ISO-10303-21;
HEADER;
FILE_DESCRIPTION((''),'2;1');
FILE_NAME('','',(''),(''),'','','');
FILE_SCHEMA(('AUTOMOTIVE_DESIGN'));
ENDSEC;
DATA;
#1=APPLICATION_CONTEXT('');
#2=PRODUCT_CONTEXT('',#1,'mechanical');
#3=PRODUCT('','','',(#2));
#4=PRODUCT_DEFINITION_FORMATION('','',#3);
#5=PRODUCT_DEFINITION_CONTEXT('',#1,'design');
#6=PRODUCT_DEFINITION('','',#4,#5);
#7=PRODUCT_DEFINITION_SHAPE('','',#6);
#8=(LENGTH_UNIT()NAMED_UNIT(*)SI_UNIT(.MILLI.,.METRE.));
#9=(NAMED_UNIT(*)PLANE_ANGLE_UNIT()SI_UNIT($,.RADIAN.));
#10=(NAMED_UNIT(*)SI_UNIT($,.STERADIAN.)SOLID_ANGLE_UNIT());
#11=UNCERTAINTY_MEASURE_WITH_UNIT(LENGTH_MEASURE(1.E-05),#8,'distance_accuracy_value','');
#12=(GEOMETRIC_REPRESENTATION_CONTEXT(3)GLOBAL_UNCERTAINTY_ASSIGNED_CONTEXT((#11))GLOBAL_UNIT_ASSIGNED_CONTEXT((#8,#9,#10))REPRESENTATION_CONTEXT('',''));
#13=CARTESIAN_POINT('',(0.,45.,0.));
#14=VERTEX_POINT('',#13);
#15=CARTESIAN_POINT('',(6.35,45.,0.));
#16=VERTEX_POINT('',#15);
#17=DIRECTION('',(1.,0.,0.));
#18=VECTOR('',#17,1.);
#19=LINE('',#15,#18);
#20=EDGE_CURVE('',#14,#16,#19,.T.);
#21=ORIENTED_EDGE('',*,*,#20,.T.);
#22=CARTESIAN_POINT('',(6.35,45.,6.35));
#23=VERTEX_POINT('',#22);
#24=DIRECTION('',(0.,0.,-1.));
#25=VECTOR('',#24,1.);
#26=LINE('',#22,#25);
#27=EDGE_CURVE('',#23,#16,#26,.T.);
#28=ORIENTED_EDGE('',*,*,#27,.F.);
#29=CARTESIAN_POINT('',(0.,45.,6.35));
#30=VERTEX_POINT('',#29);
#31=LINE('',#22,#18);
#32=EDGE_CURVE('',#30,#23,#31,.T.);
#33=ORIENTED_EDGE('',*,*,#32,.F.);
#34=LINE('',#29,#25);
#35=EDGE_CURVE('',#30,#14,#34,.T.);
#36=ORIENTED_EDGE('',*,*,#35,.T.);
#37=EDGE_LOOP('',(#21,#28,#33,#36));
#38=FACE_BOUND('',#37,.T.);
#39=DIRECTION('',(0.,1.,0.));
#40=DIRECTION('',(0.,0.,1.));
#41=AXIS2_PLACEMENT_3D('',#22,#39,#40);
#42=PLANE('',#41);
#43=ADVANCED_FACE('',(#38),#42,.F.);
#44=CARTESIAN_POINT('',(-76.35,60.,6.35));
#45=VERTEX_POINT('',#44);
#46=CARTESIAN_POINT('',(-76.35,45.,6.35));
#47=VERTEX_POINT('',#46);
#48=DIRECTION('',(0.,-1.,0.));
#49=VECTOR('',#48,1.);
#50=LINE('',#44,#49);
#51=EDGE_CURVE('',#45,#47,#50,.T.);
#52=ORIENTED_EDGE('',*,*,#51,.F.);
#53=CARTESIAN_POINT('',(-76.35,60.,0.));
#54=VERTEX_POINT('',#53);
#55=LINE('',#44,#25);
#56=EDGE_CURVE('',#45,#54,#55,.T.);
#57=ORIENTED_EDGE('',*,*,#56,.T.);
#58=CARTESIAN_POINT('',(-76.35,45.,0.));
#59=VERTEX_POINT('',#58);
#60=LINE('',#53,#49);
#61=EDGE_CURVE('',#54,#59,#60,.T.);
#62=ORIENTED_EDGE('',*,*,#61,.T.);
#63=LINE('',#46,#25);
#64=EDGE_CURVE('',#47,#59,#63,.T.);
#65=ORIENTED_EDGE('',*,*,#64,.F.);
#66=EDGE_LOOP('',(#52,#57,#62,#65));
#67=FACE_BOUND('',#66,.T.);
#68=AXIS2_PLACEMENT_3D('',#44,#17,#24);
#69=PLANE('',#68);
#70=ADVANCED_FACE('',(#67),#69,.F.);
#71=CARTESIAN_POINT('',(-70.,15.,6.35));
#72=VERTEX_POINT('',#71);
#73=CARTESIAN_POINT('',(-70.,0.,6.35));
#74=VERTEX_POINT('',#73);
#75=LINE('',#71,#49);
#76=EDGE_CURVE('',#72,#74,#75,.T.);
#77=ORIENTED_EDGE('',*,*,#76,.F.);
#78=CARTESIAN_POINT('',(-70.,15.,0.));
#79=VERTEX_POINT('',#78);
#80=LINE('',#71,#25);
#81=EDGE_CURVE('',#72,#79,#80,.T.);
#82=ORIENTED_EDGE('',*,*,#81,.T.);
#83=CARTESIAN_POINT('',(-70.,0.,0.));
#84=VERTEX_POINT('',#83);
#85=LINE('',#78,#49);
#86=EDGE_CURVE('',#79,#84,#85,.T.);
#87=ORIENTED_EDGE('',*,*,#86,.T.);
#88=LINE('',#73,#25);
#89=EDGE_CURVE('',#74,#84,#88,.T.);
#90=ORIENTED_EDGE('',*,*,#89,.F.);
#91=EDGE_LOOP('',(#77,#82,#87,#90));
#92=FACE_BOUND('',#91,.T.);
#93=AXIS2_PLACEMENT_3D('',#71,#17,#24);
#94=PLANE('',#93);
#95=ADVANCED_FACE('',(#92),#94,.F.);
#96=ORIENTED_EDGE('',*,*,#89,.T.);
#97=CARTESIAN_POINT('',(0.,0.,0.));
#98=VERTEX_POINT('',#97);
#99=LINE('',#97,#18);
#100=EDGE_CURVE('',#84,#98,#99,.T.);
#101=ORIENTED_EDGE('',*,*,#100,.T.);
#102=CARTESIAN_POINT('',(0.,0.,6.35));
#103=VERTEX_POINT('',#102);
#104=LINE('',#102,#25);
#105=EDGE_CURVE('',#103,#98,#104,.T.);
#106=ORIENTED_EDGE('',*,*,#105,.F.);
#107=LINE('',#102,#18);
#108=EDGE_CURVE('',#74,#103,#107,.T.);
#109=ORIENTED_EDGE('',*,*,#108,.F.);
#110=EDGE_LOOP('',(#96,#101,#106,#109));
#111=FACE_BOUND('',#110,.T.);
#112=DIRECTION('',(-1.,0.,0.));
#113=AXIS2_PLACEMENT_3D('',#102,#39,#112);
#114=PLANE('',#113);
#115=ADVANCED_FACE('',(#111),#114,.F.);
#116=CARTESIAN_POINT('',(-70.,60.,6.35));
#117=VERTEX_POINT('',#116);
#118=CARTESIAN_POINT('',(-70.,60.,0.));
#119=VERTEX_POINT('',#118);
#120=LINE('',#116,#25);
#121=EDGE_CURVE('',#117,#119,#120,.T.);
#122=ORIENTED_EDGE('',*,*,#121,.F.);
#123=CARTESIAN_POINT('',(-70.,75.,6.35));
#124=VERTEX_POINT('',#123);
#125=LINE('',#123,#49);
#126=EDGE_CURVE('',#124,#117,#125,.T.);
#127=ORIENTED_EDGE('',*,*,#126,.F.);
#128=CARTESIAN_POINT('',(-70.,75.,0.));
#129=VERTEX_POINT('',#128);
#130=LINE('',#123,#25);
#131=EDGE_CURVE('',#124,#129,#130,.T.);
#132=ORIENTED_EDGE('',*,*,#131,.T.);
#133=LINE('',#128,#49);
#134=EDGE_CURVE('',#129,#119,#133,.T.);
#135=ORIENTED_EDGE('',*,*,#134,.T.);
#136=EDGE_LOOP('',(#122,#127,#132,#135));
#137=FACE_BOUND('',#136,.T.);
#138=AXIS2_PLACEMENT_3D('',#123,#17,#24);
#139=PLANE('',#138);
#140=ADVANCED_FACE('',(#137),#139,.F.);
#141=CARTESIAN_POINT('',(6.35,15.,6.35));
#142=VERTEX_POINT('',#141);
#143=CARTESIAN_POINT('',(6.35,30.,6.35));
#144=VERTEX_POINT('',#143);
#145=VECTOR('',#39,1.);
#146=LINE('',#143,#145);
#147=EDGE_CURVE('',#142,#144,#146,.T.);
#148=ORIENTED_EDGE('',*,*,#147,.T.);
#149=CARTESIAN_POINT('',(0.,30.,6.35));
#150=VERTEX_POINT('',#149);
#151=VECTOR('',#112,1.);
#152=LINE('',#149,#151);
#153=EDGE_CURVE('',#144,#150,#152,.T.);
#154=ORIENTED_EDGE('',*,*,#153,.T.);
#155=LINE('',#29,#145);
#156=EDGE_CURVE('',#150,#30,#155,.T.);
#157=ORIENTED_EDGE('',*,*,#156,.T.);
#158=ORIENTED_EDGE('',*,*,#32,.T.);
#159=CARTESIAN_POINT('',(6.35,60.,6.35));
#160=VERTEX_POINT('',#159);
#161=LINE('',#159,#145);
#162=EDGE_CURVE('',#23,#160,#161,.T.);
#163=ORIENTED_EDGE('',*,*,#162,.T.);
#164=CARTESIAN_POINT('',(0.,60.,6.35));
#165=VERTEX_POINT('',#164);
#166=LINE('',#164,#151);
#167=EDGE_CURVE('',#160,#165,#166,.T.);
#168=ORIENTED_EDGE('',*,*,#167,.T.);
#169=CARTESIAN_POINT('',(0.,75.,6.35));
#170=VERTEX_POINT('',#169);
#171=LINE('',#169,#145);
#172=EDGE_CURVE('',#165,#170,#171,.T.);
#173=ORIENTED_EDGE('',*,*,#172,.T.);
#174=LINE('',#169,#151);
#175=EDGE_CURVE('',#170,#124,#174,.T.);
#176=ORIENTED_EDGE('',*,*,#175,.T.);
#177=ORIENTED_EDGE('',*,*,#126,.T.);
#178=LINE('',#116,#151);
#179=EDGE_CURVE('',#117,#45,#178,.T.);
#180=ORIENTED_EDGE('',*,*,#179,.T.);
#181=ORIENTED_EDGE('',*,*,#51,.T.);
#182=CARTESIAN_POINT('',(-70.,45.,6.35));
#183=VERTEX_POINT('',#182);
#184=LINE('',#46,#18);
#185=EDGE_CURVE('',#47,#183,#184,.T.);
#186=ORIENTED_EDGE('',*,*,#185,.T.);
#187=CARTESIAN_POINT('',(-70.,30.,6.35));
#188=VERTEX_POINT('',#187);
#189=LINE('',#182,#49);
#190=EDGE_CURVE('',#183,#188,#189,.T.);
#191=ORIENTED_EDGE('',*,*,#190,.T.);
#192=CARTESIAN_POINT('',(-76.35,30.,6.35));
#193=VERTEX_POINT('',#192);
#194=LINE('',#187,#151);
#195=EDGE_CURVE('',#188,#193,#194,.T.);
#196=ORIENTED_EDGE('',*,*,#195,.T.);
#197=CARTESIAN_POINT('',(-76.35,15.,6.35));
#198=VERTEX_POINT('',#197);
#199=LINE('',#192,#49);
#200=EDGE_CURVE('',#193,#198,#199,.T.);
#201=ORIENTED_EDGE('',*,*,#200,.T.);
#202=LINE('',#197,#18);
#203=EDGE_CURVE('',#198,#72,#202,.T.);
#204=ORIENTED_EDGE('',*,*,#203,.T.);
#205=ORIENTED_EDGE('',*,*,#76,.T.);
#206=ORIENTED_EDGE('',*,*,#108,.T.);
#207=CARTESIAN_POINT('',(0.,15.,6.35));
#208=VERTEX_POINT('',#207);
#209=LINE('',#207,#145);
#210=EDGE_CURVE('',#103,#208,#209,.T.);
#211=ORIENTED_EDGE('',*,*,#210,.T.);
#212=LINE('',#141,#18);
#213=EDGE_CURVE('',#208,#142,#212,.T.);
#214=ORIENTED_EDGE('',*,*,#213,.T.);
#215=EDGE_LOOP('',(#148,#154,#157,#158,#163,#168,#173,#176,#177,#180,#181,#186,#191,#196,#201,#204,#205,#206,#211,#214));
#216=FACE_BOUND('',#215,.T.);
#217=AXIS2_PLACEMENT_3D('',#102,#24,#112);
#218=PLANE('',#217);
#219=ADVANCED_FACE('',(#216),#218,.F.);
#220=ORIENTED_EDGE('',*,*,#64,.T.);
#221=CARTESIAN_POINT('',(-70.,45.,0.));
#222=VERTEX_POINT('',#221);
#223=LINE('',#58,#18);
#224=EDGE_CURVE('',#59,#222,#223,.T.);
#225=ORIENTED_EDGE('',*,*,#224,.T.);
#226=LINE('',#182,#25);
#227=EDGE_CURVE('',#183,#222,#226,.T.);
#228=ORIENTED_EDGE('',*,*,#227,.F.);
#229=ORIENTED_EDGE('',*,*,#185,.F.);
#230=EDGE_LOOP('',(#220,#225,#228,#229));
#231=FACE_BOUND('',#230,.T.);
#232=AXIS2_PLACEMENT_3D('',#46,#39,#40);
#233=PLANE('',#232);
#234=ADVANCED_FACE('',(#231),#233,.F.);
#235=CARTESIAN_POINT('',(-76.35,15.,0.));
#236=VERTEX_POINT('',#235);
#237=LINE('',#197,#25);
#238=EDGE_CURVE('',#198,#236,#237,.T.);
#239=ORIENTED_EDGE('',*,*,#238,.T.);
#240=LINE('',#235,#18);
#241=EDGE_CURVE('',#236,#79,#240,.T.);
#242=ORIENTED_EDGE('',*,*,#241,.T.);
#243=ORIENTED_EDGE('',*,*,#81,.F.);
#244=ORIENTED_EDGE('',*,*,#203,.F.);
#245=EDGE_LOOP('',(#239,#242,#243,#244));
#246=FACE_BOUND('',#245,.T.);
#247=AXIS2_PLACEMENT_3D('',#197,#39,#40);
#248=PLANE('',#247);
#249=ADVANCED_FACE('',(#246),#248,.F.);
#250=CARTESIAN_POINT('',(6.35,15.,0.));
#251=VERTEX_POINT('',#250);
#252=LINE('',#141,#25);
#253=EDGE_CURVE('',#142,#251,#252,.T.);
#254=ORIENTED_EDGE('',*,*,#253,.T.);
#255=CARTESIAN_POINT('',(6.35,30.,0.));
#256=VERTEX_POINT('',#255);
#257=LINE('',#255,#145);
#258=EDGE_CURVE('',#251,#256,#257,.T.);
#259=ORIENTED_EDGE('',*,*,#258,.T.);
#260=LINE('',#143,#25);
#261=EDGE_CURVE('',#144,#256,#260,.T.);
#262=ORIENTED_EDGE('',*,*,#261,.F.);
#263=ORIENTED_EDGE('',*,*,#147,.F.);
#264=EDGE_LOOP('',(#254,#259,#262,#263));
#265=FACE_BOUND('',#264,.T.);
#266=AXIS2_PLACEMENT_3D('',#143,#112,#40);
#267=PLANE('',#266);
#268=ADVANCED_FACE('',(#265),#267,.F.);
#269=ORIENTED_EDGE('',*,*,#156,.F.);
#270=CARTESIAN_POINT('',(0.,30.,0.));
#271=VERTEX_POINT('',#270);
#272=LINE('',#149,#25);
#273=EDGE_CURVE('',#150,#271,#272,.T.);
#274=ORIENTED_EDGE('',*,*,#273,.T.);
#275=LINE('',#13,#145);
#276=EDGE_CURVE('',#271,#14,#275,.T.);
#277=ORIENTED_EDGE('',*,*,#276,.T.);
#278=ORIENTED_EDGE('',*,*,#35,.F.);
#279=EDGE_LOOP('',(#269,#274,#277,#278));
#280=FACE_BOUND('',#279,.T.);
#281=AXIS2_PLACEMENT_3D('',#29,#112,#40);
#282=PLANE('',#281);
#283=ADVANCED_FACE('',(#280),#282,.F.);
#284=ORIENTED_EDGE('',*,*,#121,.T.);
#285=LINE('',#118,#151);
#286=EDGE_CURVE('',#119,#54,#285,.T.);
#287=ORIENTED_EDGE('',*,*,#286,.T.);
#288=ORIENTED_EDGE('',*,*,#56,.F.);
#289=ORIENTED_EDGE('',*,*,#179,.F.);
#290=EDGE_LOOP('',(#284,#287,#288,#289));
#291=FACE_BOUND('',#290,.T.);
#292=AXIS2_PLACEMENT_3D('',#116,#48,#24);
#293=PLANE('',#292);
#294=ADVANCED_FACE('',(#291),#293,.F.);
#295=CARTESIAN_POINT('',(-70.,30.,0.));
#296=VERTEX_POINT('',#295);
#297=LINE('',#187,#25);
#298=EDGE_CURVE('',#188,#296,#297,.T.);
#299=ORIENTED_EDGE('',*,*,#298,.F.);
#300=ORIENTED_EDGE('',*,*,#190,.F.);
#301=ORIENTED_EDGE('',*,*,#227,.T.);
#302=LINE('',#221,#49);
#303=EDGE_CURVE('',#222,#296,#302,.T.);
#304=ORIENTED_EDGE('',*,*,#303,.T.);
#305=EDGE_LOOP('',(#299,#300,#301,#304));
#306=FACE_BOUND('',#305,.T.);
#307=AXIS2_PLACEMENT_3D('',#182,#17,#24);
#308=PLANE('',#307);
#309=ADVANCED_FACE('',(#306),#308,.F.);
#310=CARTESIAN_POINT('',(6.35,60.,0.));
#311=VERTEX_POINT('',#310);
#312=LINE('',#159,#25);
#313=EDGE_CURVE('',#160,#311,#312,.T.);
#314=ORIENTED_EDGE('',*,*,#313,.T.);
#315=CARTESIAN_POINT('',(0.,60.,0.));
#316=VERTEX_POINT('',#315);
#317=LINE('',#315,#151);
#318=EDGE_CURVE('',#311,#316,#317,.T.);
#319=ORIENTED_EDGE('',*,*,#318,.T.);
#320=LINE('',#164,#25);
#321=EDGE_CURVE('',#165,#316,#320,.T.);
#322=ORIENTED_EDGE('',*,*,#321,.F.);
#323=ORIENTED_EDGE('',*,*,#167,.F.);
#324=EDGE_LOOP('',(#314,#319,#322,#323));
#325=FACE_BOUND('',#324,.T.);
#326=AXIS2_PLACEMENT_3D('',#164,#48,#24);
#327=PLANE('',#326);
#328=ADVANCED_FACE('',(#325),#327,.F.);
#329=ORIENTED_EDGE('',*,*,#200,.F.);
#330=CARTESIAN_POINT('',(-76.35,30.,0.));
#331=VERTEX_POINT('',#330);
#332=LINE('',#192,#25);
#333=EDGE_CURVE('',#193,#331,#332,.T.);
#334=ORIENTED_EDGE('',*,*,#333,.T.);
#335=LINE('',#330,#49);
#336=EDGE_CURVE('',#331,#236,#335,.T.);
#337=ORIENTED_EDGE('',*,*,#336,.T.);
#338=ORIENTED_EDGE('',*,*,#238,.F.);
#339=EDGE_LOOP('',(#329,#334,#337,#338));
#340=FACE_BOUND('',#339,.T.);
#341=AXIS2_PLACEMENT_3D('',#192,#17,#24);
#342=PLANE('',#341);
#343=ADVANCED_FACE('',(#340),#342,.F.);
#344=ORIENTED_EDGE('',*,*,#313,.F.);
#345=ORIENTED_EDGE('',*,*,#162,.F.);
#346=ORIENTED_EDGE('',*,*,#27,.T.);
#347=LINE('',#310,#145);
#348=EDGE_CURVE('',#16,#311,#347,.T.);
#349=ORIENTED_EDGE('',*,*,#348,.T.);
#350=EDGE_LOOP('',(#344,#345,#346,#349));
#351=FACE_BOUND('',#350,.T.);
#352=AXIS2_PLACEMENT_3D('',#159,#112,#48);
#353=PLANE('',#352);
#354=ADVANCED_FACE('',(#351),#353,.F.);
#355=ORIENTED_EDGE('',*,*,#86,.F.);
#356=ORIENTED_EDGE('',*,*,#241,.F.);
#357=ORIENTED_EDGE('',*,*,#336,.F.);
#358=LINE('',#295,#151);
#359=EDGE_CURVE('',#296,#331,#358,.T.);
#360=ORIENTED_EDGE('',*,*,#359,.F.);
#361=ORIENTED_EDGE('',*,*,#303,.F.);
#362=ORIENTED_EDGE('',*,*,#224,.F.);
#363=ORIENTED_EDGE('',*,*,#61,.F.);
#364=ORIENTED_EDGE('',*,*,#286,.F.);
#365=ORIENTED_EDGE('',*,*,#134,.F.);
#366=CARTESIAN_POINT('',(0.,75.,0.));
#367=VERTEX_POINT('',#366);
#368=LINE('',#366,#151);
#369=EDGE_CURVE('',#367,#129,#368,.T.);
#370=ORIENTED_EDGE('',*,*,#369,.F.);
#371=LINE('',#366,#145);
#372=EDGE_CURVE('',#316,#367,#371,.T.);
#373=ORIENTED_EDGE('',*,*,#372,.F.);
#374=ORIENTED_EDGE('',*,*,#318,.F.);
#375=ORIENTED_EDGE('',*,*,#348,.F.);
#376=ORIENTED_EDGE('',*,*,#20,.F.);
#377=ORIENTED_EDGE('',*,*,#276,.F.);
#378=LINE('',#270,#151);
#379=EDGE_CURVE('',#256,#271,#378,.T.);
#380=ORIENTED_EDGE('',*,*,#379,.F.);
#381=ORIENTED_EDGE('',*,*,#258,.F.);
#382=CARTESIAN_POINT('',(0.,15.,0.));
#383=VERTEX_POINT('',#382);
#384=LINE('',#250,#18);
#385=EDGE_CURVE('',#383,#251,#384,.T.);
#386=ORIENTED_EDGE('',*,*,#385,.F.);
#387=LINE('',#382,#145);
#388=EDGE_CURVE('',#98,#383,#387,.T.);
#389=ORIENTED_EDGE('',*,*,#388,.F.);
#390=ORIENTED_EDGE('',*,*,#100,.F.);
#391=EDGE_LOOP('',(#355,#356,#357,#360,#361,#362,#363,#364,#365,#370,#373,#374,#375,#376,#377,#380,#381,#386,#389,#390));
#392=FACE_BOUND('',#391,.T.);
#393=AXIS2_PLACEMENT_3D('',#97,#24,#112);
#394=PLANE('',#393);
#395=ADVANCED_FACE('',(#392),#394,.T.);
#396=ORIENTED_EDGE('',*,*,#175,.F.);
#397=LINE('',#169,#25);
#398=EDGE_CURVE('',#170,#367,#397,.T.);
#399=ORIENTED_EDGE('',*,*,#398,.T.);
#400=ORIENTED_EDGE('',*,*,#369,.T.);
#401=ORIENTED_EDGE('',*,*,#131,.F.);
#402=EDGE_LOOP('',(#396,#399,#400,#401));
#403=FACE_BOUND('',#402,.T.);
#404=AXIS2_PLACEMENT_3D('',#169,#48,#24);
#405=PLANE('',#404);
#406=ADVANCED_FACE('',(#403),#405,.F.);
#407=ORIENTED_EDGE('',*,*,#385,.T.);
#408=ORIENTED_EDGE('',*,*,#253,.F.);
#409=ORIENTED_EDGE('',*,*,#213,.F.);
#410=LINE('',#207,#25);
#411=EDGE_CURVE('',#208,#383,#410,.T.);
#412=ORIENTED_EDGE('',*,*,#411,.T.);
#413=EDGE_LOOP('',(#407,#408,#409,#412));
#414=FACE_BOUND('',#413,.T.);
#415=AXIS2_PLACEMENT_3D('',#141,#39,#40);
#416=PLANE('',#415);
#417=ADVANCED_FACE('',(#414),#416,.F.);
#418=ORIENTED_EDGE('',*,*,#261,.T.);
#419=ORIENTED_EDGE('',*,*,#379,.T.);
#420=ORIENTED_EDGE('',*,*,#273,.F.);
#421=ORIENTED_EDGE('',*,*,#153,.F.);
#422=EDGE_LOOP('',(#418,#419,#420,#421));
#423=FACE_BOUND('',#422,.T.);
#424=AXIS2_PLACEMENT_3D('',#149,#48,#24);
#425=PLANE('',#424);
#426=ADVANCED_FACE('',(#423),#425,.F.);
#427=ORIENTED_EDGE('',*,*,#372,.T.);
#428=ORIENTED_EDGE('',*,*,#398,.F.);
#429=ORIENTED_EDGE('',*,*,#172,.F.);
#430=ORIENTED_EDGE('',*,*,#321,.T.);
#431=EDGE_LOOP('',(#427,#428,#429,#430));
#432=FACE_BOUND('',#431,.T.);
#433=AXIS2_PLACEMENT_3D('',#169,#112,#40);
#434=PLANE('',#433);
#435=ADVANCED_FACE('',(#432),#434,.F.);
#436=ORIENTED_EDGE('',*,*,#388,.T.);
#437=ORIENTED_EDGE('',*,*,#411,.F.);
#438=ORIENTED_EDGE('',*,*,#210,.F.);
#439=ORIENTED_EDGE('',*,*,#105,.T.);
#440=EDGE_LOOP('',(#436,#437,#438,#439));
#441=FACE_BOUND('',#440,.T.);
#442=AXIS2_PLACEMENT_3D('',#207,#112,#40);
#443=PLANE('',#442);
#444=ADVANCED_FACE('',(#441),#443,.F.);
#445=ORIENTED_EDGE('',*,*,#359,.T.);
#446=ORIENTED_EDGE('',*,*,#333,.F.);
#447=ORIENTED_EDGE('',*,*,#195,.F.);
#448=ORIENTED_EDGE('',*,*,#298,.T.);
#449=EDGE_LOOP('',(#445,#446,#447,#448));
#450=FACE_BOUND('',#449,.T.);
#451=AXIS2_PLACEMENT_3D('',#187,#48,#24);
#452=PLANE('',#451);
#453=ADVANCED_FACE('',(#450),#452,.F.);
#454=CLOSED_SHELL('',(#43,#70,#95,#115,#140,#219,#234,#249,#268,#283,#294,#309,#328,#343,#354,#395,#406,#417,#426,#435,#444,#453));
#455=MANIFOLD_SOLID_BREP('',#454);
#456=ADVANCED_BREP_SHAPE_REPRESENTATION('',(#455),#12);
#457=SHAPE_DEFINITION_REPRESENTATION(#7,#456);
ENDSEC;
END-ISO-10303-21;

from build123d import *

# Parameters (mm, degrees)
BODY_DEPTH = 6.35


with BuildPart() as part:
    # Sketch1 → Body (new body)
    with BuildSketch(Plane.XY):
        Polygon((-70, 75), (-70, 60), (-76.35, 60), (-76.35, 45), (-70, 45), (-70, 30), (-76.35, 30), (-76.35, 15), (-70, 15), (-70, 0), (0, 0), (0, 15), (6.35, 15), (6.35, 30), (0, 30), (0, 45), (6.35, 45), (6.35, 60), (0, 60), (0, 75), align=None)
    extrude(amount=BODY_DEPTH)


solid = part.part
